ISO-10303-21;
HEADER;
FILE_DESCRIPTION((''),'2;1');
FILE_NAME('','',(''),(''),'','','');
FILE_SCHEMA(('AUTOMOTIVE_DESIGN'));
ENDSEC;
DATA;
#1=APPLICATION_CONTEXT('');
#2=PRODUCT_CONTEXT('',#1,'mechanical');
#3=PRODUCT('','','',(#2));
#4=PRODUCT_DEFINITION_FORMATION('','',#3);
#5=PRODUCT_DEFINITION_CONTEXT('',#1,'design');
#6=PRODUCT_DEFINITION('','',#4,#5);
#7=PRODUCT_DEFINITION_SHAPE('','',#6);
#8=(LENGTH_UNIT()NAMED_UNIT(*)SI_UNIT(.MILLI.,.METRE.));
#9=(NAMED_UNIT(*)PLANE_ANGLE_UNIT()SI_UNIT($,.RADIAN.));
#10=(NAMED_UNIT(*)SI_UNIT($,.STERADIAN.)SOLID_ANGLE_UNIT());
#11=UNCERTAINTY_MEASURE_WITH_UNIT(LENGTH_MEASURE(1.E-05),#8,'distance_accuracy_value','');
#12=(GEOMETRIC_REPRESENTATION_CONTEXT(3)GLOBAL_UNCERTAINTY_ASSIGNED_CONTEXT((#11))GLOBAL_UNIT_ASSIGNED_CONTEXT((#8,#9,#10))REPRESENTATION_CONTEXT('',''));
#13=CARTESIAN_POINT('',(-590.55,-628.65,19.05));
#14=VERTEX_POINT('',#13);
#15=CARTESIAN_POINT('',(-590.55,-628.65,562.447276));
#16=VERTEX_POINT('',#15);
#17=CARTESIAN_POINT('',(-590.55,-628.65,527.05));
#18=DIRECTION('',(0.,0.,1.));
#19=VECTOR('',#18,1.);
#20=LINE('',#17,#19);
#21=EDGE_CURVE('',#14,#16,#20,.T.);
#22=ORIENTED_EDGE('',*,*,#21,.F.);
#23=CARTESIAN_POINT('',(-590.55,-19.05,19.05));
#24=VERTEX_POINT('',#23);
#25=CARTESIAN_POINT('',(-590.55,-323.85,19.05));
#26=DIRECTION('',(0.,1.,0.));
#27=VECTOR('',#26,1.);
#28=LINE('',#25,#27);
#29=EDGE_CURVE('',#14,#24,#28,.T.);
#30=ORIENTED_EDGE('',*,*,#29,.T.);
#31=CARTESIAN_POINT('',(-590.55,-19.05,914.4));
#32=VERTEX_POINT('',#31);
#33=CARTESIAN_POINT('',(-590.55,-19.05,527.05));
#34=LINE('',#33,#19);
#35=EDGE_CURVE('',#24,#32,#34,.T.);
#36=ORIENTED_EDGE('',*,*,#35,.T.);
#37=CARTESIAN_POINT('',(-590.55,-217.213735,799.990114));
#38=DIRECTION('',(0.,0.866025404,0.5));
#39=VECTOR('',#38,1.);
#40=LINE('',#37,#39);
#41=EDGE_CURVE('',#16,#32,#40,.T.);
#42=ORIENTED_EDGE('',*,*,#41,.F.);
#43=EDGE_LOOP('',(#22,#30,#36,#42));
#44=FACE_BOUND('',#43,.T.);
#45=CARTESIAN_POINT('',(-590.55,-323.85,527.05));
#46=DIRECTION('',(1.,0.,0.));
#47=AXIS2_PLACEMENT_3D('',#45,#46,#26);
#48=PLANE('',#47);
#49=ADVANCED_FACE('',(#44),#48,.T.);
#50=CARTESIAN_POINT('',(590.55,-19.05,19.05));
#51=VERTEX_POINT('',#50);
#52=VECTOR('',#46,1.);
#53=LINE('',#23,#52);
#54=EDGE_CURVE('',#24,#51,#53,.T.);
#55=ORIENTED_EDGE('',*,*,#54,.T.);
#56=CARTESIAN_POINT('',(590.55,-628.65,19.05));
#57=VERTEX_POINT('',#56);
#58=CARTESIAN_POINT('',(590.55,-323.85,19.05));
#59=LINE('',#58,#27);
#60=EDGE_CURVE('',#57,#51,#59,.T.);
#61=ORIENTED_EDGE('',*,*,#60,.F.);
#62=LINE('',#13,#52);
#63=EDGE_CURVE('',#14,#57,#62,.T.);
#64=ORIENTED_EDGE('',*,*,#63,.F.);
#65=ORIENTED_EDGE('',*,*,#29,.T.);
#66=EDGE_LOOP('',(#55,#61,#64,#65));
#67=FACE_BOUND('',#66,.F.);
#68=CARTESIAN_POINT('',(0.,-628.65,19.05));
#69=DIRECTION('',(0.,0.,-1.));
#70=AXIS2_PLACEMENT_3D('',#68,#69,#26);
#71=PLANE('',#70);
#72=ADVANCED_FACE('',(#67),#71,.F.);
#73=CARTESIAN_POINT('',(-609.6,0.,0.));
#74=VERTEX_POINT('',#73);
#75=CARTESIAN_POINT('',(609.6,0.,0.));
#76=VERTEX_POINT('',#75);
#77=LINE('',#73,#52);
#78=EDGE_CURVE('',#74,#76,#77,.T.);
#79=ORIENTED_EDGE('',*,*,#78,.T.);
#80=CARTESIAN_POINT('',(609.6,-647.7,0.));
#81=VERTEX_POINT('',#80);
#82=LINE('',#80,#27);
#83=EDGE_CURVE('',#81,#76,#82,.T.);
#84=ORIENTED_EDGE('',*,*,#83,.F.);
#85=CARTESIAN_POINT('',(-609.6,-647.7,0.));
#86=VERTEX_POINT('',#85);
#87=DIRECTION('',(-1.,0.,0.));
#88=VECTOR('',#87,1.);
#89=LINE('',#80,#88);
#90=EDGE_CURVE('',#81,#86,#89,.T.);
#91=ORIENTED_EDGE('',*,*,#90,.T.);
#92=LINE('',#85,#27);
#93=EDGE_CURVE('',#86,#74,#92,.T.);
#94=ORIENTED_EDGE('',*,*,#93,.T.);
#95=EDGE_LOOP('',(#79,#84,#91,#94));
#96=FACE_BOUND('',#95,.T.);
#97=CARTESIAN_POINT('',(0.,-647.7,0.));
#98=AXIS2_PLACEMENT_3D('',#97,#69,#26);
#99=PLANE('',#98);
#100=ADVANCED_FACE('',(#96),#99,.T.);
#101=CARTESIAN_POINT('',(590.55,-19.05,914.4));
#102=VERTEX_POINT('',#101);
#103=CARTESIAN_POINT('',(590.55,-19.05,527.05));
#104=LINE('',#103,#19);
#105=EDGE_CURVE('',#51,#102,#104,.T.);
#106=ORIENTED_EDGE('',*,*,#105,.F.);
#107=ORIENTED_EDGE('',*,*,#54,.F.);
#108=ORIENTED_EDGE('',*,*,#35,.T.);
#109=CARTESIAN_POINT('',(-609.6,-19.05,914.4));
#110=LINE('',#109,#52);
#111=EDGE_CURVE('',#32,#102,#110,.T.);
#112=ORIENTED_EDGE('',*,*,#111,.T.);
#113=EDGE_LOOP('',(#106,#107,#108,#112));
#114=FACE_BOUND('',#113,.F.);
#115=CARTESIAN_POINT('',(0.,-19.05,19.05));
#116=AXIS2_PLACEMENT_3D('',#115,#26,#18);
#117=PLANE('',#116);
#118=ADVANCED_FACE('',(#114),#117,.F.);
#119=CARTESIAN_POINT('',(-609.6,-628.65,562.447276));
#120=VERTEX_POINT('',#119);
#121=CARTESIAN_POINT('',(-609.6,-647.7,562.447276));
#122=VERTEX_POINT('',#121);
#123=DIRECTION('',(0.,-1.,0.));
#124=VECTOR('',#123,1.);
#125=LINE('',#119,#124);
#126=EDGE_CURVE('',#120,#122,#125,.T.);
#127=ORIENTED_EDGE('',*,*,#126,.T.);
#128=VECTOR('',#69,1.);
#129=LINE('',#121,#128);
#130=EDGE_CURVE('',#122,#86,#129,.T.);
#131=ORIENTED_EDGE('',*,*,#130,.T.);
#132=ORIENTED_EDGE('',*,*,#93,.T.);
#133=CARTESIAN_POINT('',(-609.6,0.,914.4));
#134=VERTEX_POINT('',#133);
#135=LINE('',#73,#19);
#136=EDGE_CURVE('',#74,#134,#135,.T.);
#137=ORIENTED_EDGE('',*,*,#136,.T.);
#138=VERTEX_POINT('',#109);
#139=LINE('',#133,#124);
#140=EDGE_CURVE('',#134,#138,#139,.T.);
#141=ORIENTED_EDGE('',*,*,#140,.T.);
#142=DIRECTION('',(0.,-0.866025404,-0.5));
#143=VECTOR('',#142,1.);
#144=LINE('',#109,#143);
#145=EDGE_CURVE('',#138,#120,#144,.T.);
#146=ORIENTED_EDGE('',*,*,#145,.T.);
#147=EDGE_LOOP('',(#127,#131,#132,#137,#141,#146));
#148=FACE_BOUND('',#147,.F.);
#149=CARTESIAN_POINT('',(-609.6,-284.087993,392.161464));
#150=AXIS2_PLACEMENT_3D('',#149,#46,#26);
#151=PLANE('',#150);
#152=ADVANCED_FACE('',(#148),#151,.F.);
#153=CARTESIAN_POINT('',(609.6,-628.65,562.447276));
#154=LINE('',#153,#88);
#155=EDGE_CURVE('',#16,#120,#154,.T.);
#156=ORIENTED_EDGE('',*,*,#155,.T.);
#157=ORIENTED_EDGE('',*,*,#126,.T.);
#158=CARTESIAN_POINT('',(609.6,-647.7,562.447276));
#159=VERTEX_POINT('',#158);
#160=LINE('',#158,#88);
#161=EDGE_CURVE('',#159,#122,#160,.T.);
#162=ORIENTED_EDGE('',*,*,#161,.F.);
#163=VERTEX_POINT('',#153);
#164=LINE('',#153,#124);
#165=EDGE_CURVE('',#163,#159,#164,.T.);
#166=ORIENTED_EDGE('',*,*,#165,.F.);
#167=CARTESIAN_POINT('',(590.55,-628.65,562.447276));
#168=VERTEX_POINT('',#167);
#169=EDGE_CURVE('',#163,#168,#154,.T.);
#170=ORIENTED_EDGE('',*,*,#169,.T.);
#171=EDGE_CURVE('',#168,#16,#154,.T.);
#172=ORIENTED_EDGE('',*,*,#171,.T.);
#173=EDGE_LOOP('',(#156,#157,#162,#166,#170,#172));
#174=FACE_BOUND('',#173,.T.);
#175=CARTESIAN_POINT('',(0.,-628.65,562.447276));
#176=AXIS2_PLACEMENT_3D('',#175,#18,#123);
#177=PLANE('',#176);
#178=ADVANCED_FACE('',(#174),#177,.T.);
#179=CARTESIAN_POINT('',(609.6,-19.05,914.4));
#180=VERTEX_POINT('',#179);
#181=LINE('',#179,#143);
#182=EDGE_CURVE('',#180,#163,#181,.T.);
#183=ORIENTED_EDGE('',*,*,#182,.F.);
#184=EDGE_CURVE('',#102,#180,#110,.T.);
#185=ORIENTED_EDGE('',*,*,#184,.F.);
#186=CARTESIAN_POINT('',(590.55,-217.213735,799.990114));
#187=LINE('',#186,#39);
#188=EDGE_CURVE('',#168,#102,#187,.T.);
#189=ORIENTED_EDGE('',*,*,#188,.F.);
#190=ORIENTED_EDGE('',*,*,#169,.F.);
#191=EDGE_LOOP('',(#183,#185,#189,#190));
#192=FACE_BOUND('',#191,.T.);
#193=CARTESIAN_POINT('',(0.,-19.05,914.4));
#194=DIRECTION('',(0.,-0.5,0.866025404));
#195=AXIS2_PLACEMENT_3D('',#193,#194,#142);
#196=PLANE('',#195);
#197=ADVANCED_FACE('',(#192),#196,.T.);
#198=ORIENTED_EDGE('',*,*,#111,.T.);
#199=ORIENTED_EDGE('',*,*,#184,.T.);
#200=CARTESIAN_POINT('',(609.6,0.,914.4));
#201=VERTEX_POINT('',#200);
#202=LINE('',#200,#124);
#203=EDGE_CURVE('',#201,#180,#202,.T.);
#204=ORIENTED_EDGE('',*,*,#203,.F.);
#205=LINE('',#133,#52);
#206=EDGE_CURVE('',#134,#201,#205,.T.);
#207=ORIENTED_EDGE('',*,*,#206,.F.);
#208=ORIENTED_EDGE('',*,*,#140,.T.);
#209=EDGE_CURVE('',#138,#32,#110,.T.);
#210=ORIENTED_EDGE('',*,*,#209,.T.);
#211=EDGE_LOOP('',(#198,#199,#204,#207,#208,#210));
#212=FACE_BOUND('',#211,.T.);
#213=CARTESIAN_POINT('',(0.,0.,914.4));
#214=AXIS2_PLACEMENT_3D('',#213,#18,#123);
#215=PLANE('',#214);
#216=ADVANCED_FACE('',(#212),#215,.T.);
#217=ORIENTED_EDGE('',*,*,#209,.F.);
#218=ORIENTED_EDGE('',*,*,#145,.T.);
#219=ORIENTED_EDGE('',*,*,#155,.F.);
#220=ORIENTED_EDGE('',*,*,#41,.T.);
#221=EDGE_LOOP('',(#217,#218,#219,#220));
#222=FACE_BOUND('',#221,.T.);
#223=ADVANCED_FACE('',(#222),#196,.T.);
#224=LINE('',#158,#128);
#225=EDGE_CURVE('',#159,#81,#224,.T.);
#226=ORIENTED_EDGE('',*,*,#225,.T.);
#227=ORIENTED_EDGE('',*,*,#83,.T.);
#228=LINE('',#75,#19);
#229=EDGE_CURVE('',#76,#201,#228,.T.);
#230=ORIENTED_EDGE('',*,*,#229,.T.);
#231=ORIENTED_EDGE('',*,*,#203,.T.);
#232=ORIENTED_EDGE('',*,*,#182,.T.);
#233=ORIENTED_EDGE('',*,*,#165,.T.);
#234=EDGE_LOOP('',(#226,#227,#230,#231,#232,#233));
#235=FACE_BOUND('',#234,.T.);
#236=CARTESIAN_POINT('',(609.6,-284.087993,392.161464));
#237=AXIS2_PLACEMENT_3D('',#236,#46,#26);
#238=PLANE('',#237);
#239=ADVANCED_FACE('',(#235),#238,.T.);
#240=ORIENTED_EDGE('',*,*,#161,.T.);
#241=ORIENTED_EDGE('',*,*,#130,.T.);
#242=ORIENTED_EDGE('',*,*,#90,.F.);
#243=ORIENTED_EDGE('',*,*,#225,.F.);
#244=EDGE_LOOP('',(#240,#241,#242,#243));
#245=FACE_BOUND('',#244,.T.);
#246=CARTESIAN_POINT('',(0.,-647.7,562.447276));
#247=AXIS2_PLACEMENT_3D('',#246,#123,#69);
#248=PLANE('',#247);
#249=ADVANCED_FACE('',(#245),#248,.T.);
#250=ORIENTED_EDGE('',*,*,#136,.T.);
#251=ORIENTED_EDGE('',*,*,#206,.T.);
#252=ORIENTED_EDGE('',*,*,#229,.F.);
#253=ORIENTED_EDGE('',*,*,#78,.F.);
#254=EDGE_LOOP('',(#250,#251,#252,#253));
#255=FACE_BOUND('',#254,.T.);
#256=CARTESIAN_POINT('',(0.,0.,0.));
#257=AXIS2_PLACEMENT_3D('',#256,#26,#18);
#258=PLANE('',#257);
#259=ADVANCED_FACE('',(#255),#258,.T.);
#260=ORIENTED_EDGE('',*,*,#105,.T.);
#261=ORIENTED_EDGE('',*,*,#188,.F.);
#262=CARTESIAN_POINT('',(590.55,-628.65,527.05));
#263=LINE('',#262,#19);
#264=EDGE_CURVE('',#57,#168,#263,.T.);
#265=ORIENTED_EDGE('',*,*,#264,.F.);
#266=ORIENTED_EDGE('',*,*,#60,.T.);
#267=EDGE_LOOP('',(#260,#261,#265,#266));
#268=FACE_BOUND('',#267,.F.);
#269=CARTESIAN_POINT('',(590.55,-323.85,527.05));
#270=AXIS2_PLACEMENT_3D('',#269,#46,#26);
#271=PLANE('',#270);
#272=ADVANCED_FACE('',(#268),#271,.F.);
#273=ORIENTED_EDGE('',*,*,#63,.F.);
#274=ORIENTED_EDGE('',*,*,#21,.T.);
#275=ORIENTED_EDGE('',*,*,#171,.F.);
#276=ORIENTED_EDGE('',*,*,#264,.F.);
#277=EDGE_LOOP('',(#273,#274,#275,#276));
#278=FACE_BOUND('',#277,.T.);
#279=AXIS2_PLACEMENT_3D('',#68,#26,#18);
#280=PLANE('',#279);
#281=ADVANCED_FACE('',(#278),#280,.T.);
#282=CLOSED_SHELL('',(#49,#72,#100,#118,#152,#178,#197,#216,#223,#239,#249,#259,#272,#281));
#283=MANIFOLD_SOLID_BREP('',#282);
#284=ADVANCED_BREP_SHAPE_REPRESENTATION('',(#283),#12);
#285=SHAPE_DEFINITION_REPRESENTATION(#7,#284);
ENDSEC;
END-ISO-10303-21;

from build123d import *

# Parameters (mm, degrees)
F1_DEPTH = 609.6
F2_W     = 609.6
F2_H     = 1016
F3_DEPTH = 590.55


with BuildPart() as f1:
    # F0 (on Right) → F1 (new body, symmetric)
    with BuildSketch(Plane.YZ):
        Polygon((-647.7, 0), (0, 0), (0, 914.4), (-19.05, 914.4), (-628.65, 562.447276), (-647.7, 562.447276), align=None)
    extrude(amount=F1_DEPTH, both=True)

    # F2 (on Right) → F3 (cut, symmetric)
    with BuildSketch(Plane.YZ):
        with Locations((-323.85, 527.05)):
            Rectangle(F2_W, F2_H)
    extrude(amount=F3_DEPTH, both=True, mode=Mode.SUBTRACT)


solid = f1.part
